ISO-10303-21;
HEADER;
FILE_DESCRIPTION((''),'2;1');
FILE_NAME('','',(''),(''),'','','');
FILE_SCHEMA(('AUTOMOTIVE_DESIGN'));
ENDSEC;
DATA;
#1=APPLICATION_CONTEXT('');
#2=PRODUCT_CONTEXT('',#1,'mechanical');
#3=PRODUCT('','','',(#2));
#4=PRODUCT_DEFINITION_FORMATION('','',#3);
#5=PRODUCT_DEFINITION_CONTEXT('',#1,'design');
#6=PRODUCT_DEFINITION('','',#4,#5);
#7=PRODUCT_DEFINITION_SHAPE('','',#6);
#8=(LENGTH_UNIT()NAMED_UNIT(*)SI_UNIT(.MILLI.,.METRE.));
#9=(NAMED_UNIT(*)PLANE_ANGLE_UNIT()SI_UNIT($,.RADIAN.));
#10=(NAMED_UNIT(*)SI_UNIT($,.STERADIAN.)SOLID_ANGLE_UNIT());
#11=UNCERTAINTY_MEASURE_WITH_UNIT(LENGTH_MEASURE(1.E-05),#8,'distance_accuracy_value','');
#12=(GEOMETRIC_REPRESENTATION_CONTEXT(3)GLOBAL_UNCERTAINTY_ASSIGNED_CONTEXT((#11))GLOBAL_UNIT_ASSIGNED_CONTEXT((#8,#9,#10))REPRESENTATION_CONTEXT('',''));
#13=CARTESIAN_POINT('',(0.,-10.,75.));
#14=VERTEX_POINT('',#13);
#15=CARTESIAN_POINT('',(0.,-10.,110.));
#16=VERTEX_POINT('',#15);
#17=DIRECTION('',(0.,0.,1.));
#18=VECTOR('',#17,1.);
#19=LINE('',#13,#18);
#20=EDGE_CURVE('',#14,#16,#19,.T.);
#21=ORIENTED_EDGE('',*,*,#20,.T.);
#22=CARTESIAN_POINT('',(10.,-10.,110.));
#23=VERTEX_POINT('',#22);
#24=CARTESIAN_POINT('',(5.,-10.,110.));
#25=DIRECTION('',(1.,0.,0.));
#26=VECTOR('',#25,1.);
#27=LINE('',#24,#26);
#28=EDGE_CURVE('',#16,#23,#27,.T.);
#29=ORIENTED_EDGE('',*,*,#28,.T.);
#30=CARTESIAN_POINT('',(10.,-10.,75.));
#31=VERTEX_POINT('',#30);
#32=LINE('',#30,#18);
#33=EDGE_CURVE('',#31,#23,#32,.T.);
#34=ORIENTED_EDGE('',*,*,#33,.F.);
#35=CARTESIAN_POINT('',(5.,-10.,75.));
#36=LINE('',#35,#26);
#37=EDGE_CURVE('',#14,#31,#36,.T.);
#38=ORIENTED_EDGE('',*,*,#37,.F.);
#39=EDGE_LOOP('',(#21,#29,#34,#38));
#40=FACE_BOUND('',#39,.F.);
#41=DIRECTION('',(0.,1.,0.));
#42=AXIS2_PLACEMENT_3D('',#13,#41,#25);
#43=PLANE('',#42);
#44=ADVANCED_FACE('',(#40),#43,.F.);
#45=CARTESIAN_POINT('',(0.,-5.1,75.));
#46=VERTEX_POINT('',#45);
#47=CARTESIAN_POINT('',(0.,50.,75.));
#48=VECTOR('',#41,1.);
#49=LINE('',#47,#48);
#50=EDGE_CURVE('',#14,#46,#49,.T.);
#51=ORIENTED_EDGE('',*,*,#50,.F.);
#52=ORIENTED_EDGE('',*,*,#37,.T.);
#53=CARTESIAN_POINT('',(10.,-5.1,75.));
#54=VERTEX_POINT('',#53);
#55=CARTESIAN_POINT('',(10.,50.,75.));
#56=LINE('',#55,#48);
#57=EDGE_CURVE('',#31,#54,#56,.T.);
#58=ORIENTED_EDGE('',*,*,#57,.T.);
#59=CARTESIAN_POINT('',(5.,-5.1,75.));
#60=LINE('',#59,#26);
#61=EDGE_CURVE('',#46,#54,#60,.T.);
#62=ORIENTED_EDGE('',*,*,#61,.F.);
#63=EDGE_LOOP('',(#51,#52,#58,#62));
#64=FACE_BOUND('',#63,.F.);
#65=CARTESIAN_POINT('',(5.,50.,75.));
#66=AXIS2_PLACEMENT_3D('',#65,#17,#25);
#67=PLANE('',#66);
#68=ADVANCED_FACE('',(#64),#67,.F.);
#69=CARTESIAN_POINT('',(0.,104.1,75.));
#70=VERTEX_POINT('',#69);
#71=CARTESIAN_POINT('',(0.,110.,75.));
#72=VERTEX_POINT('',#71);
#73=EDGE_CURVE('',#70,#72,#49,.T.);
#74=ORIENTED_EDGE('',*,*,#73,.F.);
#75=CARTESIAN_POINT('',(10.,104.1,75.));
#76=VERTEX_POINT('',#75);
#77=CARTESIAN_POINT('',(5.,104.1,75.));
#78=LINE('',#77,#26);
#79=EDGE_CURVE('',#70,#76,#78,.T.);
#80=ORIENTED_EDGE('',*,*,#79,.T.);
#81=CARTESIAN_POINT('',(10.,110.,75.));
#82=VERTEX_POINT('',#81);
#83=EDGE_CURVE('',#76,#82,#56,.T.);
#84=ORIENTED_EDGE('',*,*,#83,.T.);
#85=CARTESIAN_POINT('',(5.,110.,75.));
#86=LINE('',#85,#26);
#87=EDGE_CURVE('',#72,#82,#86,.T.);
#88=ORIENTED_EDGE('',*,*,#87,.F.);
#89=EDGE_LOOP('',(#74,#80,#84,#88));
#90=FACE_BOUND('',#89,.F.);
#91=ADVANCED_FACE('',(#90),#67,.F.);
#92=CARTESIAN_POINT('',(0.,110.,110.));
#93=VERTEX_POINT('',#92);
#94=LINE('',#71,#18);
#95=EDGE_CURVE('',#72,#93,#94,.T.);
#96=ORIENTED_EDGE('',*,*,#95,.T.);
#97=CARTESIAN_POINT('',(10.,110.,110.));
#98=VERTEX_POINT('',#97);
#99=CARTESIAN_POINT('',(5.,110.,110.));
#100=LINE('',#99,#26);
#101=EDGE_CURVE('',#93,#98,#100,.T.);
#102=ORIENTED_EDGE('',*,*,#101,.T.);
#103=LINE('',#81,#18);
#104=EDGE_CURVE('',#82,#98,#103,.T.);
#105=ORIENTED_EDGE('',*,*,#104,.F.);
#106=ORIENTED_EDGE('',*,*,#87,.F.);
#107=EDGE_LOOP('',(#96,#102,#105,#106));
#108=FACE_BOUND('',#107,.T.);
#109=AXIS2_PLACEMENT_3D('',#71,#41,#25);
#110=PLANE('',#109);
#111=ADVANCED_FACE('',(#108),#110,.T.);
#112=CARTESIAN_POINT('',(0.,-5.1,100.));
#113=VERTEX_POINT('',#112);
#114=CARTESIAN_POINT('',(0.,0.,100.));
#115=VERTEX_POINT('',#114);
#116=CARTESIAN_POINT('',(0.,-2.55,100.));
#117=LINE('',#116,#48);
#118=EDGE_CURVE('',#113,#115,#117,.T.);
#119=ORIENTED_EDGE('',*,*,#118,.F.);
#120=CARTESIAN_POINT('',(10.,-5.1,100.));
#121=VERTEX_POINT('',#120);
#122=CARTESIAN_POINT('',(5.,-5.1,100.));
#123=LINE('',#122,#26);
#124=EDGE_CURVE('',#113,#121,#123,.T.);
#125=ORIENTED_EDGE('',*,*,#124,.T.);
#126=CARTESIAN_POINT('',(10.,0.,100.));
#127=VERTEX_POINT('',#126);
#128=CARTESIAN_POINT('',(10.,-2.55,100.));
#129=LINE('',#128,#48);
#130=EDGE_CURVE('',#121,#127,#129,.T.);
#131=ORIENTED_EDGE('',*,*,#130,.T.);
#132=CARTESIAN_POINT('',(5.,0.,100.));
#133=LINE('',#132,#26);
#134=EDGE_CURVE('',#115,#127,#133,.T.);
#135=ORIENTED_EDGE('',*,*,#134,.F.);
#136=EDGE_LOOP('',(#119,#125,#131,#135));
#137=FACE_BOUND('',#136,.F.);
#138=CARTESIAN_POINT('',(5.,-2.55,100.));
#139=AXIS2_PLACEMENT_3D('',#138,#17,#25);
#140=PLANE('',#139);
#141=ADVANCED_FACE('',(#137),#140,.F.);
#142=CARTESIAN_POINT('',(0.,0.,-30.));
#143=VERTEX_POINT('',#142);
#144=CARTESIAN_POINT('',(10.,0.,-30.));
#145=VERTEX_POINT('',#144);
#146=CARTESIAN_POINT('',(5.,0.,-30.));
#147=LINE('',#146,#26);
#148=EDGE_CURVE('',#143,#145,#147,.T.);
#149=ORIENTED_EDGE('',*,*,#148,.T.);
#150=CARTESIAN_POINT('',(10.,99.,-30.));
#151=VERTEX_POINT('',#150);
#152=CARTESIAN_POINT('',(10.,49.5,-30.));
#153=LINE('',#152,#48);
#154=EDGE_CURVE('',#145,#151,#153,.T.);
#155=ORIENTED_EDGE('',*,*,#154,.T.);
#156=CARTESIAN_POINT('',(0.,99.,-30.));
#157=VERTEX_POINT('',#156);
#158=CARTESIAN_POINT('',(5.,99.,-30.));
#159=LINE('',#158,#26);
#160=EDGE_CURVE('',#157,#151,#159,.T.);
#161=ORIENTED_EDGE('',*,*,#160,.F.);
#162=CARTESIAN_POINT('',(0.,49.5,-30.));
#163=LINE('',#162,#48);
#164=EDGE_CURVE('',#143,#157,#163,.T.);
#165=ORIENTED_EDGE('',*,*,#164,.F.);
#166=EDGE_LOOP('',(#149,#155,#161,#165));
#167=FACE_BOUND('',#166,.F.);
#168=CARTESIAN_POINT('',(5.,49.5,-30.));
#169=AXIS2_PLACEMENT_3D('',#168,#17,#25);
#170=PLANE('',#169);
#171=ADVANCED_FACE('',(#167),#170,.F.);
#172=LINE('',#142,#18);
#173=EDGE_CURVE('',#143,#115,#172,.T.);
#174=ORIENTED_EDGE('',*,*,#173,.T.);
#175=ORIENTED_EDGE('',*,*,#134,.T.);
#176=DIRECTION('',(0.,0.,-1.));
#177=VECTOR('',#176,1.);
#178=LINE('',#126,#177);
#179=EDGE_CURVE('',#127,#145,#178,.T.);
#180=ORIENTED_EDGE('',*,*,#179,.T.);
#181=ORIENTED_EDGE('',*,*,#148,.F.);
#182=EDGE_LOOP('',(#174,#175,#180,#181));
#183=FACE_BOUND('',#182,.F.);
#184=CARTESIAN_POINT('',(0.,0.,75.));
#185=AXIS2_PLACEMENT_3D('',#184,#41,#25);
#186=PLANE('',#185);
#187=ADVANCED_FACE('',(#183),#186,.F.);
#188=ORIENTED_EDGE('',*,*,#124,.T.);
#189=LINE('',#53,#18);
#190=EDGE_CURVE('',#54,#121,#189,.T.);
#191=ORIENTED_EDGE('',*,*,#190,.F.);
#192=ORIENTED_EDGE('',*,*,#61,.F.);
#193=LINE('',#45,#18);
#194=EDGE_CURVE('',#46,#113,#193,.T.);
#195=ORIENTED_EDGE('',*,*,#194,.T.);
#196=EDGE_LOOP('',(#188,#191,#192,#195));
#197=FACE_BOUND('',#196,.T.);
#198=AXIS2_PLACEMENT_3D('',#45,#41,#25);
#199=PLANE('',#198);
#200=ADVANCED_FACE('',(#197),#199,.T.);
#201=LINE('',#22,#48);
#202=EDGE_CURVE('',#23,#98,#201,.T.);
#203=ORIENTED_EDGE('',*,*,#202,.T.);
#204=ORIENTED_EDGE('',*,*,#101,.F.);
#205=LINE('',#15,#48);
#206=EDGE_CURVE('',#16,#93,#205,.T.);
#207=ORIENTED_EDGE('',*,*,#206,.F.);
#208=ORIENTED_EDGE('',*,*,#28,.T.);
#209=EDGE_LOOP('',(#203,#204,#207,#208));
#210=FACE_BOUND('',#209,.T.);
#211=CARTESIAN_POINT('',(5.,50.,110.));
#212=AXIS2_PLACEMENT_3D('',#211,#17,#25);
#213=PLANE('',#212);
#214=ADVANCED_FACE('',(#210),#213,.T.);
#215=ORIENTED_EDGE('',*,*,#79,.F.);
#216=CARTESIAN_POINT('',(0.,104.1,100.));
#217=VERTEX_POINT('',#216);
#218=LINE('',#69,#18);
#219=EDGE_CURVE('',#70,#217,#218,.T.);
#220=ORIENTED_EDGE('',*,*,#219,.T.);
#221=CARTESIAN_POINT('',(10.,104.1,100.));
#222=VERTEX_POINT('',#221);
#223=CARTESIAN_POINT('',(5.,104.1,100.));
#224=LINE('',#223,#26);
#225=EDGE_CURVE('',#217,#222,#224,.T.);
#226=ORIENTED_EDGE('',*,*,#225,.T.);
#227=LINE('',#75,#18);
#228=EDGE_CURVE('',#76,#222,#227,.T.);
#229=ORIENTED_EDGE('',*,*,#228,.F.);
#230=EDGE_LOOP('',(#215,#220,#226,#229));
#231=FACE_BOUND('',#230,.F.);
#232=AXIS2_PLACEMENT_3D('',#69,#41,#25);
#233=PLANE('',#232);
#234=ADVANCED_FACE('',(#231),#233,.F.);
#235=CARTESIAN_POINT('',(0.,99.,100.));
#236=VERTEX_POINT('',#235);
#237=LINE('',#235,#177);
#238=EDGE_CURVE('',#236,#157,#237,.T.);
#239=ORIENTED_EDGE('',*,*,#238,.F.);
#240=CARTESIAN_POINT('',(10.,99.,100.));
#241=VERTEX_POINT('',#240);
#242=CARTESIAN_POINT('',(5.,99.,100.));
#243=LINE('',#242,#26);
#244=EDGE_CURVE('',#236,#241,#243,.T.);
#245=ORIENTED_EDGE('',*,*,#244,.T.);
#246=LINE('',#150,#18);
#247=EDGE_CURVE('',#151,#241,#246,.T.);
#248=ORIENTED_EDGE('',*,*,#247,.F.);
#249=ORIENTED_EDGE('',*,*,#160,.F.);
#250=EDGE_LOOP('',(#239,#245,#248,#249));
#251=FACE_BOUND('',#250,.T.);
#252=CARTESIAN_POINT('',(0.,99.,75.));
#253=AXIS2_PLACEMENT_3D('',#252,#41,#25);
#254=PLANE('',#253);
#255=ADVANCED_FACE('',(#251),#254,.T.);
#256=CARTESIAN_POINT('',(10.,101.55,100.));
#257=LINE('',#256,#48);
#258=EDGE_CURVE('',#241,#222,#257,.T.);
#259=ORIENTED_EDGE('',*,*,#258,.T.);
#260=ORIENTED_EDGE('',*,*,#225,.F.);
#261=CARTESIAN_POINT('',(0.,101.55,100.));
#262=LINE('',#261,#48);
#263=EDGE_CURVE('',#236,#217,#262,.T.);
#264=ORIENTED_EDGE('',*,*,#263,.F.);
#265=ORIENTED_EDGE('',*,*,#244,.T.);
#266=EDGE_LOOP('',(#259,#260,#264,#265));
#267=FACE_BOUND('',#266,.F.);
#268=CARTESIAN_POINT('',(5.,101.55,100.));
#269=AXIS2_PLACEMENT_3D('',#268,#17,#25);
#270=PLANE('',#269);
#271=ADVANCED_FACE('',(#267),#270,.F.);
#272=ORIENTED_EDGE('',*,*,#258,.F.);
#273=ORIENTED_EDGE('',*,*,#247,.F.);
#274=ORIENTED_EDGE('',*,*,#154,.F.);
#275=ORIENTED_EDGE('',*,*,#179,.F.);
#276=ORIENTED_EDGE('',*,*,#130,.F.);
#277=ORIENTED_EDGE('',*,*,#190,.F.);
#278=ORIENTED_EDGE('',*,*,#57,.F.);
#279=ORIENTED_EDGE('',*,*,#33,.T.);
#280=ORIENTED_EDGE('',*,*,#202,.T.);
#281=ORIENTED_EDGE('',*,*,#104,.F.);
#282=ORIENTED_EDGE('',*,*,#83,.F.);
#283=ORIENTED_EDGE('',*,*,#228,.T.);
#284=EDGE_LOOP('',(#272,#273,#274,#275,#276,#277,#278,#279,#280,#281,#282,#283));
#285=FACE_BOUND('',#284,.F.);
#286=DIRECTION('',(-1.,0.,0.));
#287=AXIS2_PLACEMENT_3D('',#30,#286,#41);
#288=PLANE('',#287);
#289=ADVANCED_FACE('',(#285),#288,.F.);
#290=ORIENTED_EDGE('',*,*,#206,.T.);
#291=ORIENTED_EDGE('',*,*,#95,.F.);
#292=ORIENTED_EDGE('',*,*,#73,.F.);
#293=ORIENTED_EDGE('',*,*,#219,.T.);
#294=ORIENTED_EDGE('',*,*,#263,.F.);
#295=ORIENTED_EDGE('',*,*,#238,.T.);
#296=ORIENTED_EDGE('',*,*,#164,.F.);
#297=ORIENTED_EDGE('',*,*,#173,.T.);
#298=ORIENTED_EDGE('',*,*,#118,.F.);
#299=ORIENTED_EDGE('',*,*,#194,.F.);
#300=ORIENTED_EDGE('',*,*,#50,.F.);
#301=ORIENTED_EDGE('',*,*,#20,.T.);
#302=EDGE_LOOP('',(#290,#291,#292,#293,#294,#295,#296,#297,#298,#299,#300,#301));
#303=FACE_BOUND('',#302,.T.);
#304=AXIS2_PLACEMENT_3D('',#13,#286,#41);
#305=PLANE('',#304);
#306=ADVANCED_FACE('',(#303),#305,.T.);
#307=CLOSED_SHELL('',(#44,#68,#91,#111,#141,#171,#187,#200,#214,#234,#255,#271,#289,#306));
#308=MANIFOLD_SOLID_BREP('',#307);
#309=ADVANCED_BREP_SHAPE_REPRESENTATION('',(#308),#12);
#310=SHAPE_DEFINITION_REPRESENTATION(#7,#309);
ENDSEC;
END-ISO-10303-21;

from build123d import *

# Parameters (mm, degrees)
BOX003_W     = 10
BOX003_H     = 5.1
BOX003_DEPTH = 25
BOX002_W     = 10
BOX002_H     = 5.1
BOX002_DEPTH = 25
BOX001_W     = 10
BOX001_H     = 120
BOX001_DEPTH = 35
BOX_W        = 10
BOX_H        = 99
BOX_DEPTH    = 140


with BuildPart() as cube003:
    # Box003 → Box003 (new body)
    with BuildSketch(Plane(origin=(0, 99, 75), x_dir=(1, 0, 0), z_dir=(0, 0, 1))):
        with Locations((5, 2.55)):
            Rectangle(BOX003_W, BOX003_H)
    extrude(amount=BOX003_DEPTH)


with BuildPart() as cube002:
    # Box002 → Box002 (new body)
    with BuildSketch(Plane(origin=(0, -5.1, 75), x_dir=(1, 0, 0), z_dir=(0, 0, 1))):
        with Locations((5, 2.55)):
            Rectangle(BOX002_W, BOX002_H)
    extrude(amount=BOX002_DEPTH)


with BuildPart() as cut001:
    # Box001 → Box001 (new body)
    with BuildSketch(Plane(origin=(0, -10, 75), x_dir=(1, 0, 0), z_dir=(0, 0, 1))):
        with Locations((5, 60)):
            Rectangle(BOX001_W, BOX001_H)
    extrude(amount=BOX001_DEPTH)

    # Cut: cut Cube002
    add(cube002.part, mode=Mode.SUBTRACT)

    # Cut001: cut Cube003
    add(cube003.part, mode=Mode.SUBTRACT)


with BuildPart() as fusion:
    # Box → Box (new body)
    with BuildSketch(Plane.XY.offset(-30)):
        with Locations((5, 49.5)):
            Rectangle(BOX_W, BOX_H)
    extrude(amount=BOX_DEPTH)

    # Fusion: union Cut001
    add(cut001.part)


solid = fusion.part
